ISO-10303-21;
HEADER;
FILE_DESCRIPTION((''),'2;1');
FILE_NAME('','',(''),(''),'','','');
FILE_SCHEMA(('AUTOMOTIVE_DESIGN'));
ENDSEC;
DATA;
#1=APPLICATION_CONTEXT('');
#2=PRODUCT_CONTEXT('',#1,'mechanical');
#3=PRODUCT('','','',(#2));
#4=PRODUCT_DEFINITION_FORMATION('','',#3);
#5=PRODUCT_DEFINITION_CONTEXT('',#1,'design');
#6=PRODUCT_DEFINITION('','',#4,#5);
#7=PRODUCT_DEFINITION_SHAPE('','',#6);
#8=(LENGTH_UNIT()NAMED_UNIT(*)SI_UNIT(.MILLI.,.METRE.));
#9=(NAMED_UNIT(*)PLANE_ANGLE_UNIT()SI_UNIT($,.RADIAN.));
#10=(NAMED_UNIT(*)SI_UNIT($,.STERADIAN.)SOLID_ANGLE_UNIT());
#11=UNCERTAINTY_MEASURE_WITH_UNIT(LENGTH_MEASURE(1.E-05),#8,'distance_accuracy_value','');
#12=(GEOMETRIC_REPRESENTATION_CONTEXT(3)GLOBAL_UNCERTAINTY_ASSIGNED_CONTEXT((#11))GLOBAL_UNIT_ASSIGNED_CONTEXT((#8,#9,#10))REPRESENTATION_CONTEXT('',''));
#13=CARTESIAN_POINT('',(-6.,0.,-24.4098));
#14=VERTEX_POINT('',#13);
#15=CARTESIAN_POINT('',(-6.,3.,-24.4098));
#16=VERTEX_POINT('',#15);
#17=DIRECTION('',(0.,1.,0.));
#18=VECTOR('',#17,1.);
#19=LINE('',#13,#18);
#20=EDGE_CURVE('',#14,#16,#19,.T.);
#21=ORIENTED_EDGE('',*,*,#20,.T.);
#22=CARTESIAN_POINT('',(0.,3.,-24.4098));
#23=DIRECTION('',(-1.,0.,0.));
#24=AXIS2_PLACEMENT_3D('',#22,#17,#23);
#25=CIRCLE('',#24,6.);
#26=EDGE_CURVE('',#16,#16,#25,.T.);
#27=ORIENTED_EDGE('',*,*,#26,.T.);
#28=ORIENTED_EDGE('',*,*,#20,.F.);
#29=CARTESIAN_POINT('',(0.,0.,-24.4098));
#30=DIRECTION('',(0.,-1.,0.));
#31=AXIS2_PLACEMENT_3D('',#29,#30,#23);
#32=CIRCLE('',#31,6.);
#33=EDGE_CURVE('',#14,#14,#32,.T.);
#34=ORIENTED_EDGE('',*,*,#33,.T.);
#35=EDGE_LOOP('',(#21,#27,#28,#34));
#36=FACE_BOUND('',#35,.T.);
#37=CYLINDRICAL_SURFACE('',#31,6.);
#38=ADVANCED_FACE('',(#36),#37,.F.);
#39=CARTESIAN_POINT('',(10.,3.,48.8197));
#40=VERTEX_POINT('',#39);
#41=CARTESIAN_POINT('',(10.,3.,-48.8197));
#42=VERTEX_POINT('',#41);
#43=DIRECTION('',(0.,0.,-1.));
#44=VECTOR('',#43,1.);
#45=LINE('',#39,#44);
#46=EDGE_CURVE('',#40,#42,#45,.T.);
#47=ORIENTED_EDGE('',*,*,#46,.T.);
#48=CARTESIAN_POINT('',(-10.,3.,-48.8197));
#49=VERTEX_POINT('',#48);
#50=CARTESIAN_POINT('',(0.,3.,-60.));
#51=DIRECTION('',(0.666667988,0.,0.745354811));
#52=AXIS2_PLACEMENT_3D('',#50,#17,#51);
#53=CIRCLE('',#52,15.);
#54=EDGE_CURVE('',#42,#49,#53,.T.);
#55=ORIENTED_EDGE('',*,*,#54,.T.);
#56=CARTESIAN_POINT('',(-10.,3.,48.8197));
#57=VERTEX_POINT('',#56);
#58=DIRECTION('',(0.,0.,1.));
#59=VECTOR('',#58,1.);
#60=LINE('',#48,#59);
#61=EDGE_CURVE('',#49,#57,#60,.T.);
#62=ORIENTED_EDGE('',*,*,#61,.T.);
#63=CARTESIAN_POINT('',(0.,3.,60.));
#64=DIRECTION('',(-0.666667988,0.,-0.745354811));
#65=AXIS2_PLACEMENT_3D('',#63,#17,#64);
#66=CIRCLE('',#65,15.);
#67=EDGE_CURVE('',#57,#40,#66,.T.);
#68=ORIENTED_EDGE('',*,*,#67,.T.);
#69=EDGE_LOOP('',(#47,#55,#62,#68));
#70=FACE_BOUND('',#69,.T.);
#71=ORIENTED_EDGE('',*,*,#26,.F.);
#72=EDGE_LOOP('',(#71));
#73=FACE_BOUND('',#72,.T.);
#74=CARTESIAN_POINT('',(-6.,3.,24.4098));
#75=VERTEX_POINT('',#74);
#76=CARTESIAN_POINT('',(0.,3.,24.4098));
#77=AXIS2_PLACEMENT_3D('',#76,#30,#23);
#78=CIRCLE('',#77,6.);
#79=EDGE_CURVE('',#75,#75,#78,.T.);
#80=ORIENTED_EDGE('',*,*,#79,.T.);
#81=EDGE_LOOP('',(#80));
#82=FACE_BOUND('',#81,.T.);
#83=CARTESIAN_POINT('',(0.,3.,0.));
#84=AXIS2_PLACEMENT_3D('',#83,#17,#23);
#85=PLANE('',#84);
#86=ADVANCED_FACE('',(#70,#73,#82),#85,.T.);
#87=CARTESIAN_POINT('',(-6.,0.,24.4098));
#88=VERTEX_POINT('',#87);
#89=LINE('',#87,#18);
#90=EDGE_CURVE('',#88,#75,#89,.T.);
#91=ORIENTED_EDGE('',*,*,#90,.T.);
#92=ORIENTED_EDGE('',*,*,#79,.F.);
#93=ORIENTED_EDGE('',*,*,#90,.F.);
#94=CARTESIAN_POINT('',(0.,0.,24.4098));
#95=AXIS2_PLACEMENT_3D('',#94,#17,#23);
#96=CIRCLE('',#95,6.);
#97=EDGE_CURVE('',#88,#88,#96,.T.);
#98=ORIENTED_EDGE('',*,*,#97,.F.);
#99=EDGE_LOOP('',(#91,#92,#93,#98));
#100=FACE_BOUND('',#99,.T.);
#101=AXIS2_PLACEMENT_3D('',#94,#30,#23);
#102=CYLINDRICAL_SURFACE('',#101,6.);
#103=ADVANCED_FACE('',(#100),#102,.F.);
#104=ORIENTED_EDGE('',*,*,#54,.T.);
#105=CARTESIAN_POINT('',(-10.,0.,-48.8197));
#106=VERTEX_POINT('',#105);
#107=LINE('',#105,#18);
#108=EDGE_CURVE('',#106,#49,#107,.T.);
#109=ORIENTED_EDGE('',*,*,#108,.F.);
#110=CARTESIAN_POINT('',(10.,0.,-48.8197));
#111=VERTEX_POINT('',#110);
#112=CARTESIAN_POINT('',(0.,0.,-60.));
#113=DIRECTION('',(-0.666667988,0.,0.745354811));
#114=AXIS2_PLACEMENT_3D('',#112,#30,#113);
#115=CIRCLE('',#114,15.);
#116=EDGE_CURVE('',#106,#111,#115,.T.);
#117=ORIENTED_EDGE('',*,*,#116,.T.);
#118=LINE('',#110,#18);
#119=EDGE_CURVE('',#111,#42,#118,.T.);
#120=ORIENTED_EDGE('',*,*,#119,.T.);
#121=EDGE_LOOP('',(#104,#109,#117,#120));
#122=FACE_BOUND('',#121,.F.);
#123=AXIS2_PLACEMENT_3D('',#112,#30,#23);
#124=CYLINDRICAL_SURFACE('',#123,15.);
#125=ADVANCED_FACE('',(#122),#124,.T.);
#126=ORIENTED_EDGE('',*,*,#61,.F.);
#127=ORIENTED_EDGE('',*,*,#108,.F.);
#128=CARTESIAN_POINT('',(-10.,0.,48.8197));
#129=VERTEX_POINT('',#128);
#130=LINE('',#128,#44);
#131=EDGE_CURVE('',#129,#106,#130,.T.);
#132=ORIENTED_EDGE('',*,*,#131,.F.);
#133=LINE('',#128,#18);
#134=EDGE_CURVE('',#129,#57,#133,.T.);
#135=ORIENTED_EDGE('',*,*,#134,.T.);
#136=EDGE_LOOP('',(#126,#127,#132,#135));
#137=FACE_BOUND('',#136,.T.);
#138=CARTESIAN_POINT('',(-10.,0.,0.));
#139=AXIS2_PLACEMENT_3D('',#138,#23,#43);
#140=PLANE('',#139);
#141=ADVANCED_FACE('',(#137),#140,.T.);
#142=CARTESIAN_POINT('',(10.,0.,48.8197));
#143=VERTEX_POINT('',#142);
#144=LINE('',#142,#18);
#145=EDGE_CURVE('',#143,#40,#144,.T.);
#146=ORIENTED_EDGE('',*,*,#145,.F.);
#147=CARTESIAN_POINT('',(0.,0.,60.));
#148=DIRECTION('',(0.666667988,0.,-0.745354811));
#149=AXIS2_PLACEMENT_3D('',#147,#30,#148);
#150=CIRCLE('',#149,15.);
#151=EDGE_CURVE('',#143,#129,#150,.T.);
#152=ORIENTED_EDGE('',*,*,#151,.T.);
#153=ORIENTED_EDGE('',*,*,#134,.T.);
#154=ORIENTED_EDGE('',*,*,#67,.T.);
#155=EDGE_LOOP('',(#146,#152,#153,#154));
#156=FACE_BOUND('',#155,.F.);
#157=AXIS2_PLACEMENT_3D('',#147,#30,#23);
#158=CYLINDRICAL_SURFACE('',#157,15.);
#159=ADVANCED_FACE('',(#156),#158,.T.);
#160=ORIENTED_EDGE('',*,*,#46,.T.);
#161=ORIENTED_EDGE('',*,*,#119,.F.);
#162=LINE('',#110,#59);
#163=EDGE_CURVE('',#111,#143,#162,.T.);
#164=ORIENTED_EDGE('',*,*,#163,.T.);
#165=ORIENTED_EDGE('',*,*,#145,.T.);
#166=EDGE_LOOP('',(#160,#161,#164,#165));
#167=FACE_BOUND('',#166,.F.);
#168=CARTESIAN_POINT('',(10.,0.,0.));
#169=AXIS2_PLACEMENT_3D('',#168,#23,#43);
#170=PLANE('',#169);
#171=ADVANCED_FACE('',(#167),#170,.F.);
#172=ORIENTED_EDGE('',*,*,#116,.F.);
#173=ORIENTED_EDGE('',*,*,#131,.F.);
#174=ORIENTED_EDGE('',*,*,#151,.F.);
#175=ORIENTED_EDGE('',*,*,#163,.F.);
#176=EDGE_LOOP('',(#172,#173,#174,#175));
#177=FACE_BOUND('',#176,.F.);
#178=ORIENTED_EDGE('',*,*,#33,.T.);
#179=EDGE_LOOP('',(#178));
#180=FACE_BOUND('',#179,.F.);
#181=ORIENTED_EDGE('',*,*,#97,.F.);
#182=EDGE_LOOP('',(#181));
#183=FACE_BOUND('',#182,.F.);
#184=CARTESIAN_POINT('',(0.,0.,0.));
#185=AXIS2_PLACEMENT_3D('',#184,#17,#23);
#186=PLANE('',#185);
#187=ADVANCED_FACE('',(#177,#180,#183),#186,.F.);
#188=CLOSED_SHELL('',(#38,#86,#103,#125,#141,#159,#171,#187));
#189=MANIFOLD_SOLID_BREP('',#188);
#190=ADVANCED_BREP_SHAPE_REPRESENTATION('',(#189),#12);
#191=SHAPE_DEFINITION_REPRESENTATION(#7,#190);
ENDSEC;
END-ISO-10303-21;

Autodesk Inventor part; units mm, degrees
ref_plane "YZ Plane" through (0, 0, 0) normal (1, 0, 0) x (0, 1, 0)
ref_plane "XZ Plane" through (0, 0, 0) normal (0, 1, 0) x (-1, 0, 0)
ref_plane "XY Plane" through (0, 0, 0) normal (0, 0, 1) x (1, 0, 0)
sketch "Sketch1" plane through (0, 0, 0) normal (0, 1, 0) x (-1, 0, 0)
  line L0 (0, 0) -> (0, 75)
  line L1 (0, 0) -> (0, -75)
  line L2 (0, -75) -> (0, -60)
  circle A0 centre (0, -60) radius 15
  circle A1 centre (0, 60) radius 15
  line L3 (-10, 45) -> (-10, -48.8197)
  line L4 (10, 45) -> (10, -48.8197)
  line L5 (10, 45) -> (10, 48.8197)
  line L6 (-10, 45) -> (-10, 48.8197)
  line L7 (10, 45) -> (-10, 45)
  line L8 (-10, -48.8197) -> (-10, 0)
  line L9 (0, -24.4098) -> (10, -24.4098)
  line L10 (10, 0) -> (0, 0)
  line L11 (0, 24.4098) -> (10, 24.4098)
  line L12 (0, -24.4098) -> (-10, -24.4098)
  line L13 (0, 24.4098) -> (-10, 24.4098)
  circle A2 centre (0, -24.4098) radius 6
  circle A3 centre (0, 24.4098) radius 6
  dimension "d1" = 75
  dimension "d2" = 75
  dimension "d3" = 15
  dimension "d6" = 20
  dimension "d7" = 97.6393
  dimension "d10" = 12
  dimension "d11" = 12
extrude "Extrusion1" add sketch "Sketch1" along normal blind 3 contours L1 A2 L12 L3 L13 A3 L0 | L10 L4 L9 A2 L1 | L0 A3 L11 L4 L10 | L13 L3 L7 L0 A3 | A3 L0 L7 L4 L11 | L9 L4 A0 L1 A2 | A2 L1 A0 L3 L12 | L7 A1 L5 | A0 L1 | A1 L0 | L7 L6 A1 | L0 A1 | L1 A0
properties part number "ramenovaPricka"
